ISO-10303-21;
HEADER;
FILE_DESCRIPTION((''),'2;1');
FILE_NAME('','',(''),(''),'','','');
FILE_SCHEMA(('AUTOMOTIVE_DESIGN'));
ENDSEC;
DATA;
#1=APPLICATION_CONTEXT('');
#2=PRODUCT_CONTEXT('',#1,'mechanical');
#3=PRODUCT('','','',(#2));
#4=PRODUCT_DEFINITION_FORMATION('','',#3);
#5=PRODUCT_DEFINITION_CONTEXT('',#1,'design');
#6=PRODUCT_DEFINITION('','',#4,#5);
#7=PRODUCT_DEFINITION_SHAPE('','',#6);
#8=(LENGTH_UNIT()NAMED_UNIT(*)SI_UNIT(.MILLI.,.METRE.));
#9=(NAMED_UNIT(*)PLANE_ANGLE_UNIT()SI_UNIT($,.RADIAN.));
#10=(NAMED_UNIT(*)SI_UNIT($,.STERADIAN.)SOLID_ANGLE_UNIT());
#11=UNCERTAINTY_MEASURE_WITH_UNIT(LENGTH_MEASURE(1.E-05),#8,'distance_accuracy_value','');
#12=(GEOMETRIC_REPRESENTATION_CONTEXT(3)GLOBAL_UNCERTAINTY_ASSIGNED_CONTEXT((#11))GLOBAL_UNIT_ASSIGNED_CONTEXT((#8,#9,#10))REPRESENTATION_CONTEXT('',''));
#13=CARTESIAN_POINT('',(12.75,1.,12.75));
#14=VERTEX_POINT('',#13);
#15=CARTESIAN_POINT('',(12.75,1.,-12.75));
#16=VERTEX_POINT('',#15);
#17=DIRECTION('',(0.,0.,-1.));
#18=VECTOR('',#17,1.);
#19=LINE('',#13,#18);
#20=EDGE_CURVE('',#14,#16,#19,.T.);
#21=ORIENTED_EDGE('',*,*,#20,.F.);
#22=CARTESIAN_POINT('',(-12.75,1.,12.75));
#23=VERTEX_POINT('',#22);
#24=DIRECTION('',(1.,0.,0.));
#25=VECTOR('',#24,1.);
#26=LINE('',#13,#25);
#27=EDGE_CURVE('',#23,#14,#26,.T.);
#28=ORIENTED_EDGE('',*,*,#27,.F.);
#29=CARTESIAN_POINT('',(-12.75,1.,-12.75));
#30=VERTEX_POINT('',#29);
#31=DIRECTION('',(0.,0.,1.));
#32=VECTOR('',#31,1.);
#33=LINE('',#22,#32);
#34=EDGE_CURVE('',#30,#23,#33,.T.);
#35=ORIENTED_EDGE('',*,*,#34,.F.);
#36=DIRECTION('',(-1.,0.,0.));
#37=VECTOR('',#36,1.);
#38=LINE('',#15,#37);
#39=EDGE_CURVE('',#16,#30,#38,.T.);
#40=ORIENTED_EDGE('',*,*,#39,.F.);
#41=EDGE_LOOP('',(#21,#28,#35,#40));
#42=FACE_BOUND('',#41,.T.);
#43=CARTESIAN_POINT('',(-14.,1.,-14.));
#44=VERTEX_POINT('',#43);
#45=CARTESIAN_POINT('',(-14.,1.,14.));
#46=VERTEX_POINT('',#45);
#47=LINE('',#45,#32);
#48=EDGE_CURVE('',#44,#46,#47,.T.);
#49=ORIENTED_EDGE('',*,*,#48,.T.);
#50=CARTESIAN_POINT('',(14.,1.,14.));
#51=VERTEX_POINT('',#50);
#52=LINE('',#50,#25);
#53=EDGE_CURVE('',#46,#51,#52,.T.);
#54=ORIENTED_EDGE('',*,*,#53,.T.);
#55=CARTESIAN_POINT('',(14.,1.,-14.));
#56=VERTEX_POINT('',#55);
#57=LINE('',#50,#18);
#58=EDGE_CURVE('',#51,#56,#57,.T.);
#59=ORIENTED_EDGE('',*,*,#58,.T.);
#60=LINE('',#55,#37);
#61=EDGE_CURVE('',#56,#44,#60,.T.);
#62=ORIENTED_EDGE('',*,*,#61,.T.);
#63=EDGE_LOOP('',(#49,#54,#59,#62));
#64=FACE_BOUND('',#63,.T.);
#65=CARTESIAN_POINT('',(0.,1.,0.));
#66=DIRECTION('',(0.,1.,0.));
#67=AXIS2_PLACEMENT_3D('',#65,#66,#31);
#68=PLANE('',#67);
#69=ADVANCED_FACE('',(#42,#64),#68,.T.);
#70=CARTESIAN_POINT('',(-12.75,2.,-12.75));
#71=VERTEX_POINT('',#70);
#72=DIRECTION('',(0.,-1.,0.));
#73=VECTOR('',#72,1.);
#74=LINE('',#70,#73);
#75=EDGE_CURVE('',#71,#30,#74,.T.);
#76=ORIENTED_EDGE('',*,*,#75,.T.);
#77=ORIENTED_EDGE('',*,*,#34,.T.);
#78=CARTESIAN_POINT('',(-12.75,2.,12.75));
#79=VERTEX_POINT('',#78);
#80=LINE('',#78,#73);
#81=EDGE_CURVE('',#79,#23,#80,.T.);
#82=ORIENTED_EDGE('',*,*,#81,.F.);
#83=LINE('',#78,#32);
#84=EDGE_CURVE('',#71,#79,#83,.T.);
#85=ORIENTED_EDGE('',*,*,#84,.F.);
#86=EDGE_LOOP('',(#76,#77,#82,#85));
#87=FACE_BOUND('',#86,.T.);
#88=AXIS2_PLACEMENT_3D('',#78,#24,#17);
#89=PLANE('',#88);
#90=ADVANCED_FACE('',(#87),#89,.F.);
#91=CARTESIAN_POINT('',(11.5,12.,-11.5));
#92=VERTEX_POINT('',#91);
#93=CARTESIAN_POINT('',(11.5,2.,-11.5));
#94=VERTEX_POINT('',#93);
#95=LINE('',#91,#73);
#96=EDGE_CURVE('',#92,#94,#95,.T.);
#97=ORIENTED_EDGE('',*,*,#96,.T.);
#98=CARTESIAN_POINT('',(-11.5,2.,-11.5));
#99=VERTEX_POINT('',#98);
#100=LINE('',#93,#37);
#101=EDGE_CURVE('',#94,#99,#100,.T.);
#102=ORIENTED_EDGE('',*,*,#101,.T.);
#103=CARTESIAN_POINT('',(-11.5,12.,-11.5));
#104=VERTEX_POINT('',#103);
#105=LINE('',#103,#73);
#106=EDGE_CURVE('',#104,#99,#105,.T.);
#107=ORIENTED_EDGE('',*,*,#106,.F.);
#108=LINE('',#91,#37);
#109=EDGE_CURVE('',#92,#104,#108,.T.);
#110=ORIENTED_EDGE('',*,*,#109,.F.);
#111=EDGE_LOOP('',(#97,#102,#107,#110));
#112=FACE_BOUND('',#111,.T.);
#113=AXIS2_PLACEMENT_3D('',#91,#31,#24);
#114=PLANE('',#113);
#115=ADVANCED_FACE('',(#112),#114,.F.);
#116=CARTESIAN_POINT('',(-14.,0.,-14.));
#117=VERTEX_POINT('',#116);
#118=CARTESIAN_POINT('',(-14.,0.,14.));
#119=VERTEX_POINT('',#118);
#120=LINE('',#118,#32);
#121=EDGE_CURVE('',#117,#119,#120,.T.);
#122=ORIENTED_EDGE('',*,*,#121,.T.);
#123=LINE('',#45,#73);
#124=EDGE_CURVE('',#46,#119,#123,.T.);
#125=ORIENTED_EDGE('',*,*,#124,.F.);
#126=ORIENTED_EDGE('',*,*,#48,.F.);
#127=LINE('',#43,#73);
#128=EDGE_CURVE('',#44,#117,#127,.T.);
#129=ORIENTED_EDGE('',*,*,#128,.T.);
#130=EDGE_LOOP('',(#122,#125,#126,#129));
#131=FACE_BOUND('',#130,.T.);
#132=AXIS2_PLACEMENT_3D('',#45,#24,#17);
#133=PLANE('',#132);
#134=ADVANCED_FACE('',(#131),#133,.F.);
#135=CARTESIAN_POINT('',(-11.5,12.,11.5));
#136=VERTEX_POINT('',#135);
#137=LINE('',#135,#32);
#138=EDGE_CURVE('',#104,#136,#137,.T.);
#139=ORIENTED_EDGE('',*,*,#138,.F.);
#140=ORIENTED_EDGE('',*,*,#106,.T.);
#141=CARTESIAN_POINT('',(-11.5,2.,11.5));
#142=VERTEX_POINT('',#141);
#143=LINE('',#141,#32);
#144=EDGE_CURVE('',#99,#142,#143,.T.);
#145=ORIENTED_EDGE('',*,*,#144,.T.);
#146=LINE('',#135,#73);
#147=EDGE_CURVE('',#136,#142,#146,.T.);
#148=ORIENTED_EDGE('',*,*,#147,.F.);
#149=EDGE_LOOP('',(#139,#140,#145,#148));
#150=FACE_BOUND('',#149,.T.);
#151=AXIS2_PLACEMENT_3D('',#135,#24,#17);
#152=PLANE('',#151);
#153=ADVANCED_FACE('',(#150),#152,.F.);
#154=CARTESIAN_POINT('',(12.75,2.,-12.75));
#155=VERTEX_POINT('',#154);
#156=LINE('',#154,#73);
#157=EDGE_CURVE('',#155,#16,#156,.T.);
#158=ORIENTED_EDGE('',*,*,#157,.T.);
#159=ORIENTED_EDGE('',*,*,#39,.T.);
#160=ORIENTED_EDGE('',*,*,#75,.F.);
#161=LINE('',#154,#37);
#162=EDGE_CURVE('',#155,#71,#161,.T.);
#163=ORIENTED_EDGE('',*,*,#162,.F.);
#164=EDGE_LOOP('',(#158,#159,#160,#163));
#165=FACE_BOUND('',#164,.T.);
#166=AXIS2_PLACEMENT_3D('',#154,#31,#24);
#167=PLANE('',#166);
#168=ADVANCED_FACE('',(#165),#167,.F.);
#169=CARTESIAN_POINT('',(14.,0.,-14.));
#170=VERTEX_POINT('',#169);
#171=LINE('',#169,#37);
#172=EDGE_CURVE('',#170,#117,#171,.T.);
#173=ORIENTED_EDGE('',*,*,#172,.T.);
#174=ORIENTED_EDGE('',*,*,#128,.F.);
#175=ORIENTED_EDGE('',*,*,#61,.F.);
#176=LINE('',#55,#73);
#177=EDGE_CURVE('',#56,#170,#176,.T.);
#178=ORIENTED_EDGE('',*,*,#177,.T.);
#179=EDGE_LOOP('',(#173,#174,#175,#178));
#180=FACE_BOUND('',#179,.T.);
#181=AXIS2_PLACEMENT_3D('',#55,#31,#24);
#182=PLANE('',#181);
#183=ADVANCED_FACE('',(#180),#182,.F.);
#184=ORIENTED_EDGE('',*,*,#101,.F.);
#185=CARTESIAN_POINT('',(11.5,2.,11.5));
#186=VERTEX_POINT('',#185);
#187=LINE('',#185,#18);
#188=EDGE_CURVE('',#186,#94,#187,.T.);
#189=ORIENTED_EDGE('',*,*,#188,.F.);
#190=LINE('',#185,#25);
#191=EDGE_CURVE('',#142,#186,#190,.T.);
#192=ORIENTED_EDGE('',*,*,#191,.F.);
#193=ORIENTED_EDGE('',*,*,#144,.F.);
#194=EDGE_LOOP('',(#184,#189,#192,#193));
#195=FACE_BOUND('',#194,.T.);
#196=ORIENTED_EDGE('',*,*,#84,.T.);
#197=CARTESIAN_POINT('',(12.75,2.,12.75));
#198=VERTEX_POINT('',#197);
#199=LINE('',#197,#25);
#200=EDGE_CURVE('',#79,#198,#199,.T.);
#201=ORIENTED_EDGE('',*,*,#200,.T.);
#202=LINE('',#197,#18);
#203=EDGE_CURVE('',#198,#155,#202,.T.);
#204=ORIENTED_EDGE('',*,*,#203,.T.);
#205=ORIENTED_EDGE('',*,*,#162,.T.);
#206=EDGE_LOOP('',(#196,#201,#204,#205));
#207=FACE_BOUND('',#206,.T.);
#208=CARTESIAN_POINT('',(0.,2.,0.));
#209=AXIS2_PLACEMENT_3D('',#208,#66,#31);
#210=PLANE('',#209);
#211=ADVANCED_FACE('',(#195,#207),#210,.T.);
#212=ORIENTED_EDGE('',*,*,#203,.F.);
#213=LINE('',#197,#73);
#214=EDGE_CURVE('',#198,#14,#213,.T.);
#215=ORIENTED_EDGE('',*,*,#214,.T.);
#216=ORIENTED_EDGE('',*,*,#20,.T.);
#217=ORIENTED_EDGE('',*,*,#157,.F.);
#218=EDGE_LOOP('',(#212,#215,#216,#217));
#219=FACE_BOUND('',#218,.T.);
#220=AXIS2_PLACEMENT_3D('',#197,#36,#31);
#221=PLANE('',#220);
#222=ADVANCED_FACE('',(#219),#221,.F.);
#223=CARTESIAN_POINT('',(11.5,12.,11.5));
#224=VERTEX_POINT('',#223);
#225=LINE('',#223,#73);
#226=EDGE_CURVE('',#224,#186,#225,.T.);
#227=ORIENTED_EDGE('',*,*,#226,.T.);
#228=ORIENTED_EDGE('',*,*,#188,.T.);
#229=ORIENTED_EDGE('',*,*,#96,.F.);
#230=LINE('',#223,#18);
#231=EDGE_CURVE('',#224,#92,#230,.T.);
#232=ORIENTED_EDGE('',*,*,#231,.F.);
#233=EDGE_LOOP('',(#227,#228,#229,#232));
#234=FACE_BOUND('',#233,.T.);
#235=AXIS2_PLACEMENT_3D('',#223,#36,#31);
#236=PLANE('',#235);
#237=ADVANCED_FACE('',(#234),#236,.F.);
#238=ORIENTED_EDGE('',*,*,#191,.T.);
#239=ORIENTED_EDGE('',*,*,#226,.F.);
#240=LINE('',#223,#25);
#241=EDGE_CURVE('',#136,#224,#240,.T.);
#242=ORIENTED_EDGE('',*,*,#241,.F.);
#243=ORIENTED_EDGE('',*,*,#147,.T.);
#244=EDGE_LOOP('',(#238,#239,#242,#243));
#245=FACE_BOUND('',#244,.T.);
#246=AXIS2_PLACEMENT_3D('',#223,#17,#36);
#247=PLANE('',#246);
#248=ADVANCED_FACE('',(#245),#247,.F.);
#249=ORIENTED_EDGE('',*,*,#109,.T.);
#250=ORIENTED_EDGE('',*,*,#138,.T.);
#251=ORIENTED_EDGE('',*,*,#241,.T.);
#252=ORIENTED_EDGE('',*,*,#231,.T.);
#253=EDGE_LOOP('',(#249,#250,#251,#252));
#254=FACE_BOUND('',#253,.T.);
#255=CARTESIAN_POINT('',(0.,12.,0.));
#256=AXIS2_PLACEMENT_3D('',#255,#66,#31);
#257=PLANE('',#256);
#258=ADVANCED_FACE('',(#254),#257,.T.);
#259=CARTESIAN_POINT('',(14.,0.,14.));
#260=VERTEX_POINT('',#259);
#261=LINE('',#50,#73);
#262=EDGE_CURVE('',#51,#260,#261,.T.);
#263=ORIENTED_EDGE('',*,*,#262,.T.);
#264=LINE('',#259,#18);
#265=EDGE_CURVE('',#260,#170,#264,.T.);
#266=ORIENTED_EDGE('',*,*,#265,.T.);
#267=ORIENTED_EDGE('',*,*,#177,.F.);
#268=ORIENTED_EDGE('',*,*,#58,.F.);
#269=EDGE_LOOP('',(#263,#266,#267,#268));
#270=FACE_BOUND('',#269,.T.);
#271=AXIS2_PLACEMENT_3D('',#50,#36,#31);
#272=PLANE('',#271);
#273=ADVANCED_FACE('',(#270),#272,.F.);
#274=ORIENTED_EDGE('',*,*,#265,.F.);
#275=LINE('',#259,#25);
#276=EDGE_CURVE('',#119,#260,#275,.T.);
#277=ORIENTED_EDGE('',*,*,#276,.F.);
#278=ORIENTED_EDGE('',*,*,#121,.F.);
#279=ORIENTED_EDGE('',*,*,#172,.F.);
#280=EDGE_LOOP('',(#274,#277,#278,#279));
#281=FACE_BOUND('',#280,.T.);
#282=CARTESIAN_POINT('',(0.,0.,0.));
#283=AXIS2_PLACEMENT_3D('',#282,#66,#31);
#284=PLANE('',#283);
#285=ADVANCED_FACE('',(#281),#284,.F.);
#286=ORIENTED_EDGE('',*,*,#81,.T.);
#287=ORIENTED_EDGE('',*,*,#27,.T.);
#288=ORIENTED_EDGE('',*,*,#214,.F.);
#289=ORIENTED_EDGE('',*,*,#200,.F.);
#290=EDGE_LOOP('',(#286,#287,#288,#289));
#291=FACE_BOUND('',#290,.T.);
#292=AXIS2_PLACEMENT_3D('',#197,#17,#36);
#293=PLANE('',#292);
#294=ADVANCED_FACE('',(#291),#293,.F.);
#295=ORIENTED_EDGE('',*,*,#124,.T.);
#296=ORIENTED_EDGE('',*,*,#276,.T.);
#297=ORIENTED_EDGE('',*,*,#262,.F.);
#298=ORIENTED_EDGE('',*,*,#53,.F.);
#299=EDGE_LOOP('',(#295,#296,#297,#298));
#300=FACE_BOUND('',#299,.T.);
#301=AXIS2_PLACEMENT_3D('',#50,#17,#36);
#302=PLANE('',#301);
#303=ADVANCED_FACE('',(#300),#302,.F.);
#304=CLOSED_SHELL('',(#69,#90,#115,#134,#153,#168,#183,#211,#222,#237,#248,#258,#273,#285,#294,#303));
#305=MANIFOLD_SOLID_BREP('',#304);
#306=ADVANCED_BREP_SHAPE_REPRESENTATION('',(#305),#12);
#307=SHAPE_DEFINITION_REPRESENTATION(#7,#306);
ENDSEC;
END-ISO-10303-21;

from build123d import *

# Parameters (mm, degrees)
SKETCH1_W           = 28
SKETCH1_H           = 28
BOSS_EXTRUDE1_DEPTH = 1
SKETCH2_W           = 25.5
SKETCH2_H           = 25.5
BOSS_EXTRUDE2_DEPTH = 1
SKETCH3_W           = 23
SKETCH3_H           = 23
BOSS_EXTRUDE3_DEPTH = 10


with BuildPart() as part:
    # Sketch1 → Boss-Extrude1 (new body)
    with BuildSketch(Plane(origin=(0, 0, 0), x_dir=(1, 0, 0), z_dir=(0, 1, 0))):
        Rectangle(SKETCH1_W, SKETCH1_H)
    extrude(amount=BOSS_EXTRUDE1_DEPTH)

    # Sketch2 → Boss-Extrude2 (add)
    with BuildSketch(Plane(origin=(0, 1, 0), x_dir=(1, 0, 0), z_dir=(0, 1, 0))):
        Rectangle(SKETCH2_W, SKETCH2_H)
    extrude(amount=BOSS_EXTRUDE2_DEPTH)

    # Sketch3 → Boss-Extrude3 (add)
    with BuildSketch(Plane(origin=(0, 2, 0), x_dir=(1, 0, 0), z_dir=(0, 1, 0))):
        Rectangle(SKETCH3_W, SKETCH3_H)
    extrude(amount=BOSS_EXTRUDE3_DEPTH)


solid = part.part
